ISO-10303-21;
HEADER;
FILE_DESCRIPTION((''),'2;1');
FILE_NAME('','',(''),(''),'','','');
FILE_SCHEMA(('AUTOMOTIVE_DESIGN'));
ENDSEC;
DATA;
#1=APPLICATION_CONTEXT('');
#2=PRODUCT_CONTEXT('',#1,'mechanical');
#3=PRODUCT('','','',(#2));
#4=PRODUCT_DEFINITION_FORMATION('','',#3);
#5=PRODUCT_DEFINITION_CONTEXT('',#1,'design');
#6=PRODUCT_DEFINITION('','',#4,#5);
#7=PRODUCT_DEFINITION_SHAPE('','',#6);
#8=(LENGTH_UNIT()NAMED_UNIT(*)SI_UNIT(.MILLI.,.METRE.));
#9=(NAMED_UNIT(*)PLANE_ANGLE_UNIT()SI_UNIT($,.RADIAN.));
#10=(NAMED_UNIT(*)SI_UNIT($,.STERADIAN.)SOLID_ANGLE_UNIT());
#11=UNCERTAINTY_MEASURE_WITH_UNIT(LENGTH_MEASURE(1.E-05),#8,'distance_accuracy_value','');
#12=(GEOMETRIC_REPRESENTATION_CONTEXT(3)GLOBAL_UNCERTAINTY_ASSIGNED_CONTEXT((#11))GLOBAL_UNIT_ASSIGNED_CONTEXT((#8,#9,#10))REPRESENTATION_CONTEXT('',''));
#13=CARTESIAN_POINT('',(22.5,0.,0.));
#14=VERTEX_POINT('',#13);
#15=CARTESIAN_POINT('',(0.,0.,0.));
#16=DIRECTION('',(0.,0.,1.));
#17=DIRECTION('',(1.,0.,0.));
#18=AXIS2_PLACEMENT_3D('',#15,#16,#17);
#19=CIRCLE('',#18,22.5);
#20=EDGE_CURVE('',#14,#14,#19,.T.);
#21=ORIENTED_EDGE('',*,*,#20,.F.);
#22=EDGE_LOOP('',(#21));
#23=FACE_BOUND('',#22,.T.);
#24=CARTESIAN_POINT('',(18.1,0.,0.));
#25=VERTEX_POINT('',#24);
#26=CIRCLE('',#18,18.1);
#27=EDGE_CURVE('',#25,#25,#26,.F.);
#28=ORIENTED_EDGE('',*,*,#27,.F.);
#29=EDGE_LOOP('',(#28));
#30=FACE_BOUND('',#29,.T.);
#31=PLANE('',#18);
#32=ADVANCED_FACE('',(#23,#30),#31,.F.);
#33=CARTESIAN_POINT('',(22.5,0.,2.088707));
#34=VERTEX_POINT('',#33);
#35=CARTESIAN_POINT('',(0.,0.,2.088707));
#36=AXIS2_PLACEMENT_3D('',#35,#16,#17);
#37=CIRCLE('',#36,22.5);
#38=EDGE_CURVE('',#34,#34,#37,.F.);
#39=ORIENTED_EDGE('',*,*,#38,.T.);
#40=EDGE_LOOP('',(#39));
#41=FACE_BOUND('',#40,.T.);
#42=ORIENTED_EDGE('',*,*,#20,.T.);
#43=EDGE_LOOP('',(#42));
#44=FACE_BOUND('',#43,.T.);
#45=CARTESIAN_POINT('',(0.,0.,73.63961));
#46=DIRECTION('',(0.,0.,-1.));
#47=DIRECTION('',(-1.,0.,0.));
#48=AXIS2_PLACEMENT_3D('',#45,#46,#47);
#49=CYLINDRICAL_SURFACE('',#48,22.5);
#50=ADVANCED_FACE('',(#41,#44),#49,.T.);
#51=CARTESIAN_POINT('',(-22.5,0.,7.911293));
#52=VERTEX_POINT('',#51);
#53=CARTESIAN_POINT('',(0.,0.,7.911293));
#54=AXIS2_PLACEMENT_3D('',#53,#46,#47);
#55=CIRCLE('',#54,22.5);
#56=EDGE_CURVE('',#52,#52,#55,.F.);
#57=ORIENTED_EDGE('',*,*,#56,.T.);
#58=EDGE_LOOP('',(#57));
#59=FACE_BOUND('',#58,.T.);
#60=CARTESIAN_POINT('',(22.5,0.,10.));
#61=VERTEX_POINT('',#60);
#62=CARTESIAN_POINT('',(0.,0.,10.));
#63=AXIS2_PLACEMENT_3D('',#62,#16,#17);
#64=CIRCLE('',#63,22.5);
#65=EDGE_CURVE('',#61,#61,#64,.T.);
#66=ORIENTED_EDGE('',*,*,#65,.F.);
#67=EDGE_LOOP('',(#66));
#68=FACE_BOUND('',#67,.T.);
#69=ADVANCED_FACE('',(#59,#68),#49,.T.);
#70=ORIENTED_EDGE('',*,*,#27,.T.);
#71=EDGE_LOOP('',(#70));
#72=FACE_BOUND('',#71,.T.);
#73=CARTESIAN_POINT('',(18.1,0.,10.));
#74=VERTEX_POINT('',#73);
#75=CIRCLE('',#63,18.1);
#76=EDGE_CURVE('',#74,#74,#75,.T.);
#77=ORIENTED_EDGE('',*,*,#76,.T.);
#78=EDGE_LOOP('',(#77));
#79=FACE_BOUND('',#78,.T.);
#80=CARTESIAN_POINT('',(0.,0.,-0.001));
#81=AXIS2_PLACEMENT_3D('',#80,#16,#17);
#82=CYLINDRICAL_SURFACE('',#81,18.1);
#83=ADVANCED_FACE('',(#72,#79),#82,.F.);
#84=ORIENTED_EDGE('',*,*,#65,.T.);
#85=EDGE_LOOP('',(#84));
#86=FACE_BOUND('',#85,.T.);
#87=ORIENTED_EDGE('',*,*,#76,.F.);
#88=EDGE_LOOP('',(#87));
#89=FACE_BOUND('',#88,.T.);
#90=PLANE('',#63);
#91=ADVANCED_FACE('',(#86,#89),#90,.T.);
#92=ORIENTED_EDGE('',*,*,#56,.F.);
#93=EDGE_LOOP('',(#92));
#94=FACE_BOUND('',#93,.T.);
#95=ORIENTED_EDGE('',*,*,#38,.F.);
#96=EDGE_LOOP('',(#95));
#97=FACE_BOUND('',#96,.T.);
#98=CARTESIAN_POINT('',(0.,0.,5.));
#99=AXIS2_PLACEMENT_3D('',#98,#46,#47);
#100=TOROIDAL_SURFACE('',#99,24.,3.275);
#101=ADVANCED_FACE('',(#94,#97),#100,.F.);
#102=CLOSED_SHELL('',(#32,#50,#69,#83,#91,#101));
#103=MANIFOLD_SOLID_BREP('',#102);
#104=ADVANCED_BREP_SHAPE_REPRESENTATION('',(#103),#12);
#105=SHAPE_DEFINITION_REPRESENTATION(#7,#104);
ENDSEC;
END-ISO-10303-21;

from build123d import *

# Parameters (mm, degrees)
SKETCH1_R           = 22.5
BOSS_EXTRUDE1_DEPTH = 10
CUT_EXTRUDE1_REACH  = 12
SKETCH2_R           = 18.1
SKETCH3_R           = 3.275


with BuildPart() as part:
    # Sketch1 → Boss-Extrude1 (new body)
    with BuildSketch(Plane.XY):
        Circle(SKETCH1_R)
    extrude(amount=BOSS_EXTRUDE1_DEPTH)

    # Sketch2 → Cut-Extrude1 (cut, up to next)
    with BuildSketch(Plane.XY.offset(10), mode=Mode.PRIVATE) as cut_extrude1_sk1:
        Circle(SKETCH2_R)
    cut_extrude1_tool1 = extrude(cut_extrude1_sk1.sketch, amount=-CUT_EXTRUDE1_REACH, mode=Mode.PRIVATE) & part.part
    add(cut_extrude1_tool1.solids().sort_by_distance((0, 0, 10))[0], mode=Mode.SUBTRACT)

    # Sketch3 → Cut-Revolve1 (revolve, cut)
    with BuildSketch(Plane(origin=(0, 0, 0), x_dir=(1, 0, 0), z_dir=(0, 1, 0))):
        with Locations((-24, -5)):
            Circle(SKETCH3_R)
    revolve(axis=Axis((0, 0, -18.462767292), (0, 0, 1)), mode=Mode.SUBTRACT)


solid = part.part
